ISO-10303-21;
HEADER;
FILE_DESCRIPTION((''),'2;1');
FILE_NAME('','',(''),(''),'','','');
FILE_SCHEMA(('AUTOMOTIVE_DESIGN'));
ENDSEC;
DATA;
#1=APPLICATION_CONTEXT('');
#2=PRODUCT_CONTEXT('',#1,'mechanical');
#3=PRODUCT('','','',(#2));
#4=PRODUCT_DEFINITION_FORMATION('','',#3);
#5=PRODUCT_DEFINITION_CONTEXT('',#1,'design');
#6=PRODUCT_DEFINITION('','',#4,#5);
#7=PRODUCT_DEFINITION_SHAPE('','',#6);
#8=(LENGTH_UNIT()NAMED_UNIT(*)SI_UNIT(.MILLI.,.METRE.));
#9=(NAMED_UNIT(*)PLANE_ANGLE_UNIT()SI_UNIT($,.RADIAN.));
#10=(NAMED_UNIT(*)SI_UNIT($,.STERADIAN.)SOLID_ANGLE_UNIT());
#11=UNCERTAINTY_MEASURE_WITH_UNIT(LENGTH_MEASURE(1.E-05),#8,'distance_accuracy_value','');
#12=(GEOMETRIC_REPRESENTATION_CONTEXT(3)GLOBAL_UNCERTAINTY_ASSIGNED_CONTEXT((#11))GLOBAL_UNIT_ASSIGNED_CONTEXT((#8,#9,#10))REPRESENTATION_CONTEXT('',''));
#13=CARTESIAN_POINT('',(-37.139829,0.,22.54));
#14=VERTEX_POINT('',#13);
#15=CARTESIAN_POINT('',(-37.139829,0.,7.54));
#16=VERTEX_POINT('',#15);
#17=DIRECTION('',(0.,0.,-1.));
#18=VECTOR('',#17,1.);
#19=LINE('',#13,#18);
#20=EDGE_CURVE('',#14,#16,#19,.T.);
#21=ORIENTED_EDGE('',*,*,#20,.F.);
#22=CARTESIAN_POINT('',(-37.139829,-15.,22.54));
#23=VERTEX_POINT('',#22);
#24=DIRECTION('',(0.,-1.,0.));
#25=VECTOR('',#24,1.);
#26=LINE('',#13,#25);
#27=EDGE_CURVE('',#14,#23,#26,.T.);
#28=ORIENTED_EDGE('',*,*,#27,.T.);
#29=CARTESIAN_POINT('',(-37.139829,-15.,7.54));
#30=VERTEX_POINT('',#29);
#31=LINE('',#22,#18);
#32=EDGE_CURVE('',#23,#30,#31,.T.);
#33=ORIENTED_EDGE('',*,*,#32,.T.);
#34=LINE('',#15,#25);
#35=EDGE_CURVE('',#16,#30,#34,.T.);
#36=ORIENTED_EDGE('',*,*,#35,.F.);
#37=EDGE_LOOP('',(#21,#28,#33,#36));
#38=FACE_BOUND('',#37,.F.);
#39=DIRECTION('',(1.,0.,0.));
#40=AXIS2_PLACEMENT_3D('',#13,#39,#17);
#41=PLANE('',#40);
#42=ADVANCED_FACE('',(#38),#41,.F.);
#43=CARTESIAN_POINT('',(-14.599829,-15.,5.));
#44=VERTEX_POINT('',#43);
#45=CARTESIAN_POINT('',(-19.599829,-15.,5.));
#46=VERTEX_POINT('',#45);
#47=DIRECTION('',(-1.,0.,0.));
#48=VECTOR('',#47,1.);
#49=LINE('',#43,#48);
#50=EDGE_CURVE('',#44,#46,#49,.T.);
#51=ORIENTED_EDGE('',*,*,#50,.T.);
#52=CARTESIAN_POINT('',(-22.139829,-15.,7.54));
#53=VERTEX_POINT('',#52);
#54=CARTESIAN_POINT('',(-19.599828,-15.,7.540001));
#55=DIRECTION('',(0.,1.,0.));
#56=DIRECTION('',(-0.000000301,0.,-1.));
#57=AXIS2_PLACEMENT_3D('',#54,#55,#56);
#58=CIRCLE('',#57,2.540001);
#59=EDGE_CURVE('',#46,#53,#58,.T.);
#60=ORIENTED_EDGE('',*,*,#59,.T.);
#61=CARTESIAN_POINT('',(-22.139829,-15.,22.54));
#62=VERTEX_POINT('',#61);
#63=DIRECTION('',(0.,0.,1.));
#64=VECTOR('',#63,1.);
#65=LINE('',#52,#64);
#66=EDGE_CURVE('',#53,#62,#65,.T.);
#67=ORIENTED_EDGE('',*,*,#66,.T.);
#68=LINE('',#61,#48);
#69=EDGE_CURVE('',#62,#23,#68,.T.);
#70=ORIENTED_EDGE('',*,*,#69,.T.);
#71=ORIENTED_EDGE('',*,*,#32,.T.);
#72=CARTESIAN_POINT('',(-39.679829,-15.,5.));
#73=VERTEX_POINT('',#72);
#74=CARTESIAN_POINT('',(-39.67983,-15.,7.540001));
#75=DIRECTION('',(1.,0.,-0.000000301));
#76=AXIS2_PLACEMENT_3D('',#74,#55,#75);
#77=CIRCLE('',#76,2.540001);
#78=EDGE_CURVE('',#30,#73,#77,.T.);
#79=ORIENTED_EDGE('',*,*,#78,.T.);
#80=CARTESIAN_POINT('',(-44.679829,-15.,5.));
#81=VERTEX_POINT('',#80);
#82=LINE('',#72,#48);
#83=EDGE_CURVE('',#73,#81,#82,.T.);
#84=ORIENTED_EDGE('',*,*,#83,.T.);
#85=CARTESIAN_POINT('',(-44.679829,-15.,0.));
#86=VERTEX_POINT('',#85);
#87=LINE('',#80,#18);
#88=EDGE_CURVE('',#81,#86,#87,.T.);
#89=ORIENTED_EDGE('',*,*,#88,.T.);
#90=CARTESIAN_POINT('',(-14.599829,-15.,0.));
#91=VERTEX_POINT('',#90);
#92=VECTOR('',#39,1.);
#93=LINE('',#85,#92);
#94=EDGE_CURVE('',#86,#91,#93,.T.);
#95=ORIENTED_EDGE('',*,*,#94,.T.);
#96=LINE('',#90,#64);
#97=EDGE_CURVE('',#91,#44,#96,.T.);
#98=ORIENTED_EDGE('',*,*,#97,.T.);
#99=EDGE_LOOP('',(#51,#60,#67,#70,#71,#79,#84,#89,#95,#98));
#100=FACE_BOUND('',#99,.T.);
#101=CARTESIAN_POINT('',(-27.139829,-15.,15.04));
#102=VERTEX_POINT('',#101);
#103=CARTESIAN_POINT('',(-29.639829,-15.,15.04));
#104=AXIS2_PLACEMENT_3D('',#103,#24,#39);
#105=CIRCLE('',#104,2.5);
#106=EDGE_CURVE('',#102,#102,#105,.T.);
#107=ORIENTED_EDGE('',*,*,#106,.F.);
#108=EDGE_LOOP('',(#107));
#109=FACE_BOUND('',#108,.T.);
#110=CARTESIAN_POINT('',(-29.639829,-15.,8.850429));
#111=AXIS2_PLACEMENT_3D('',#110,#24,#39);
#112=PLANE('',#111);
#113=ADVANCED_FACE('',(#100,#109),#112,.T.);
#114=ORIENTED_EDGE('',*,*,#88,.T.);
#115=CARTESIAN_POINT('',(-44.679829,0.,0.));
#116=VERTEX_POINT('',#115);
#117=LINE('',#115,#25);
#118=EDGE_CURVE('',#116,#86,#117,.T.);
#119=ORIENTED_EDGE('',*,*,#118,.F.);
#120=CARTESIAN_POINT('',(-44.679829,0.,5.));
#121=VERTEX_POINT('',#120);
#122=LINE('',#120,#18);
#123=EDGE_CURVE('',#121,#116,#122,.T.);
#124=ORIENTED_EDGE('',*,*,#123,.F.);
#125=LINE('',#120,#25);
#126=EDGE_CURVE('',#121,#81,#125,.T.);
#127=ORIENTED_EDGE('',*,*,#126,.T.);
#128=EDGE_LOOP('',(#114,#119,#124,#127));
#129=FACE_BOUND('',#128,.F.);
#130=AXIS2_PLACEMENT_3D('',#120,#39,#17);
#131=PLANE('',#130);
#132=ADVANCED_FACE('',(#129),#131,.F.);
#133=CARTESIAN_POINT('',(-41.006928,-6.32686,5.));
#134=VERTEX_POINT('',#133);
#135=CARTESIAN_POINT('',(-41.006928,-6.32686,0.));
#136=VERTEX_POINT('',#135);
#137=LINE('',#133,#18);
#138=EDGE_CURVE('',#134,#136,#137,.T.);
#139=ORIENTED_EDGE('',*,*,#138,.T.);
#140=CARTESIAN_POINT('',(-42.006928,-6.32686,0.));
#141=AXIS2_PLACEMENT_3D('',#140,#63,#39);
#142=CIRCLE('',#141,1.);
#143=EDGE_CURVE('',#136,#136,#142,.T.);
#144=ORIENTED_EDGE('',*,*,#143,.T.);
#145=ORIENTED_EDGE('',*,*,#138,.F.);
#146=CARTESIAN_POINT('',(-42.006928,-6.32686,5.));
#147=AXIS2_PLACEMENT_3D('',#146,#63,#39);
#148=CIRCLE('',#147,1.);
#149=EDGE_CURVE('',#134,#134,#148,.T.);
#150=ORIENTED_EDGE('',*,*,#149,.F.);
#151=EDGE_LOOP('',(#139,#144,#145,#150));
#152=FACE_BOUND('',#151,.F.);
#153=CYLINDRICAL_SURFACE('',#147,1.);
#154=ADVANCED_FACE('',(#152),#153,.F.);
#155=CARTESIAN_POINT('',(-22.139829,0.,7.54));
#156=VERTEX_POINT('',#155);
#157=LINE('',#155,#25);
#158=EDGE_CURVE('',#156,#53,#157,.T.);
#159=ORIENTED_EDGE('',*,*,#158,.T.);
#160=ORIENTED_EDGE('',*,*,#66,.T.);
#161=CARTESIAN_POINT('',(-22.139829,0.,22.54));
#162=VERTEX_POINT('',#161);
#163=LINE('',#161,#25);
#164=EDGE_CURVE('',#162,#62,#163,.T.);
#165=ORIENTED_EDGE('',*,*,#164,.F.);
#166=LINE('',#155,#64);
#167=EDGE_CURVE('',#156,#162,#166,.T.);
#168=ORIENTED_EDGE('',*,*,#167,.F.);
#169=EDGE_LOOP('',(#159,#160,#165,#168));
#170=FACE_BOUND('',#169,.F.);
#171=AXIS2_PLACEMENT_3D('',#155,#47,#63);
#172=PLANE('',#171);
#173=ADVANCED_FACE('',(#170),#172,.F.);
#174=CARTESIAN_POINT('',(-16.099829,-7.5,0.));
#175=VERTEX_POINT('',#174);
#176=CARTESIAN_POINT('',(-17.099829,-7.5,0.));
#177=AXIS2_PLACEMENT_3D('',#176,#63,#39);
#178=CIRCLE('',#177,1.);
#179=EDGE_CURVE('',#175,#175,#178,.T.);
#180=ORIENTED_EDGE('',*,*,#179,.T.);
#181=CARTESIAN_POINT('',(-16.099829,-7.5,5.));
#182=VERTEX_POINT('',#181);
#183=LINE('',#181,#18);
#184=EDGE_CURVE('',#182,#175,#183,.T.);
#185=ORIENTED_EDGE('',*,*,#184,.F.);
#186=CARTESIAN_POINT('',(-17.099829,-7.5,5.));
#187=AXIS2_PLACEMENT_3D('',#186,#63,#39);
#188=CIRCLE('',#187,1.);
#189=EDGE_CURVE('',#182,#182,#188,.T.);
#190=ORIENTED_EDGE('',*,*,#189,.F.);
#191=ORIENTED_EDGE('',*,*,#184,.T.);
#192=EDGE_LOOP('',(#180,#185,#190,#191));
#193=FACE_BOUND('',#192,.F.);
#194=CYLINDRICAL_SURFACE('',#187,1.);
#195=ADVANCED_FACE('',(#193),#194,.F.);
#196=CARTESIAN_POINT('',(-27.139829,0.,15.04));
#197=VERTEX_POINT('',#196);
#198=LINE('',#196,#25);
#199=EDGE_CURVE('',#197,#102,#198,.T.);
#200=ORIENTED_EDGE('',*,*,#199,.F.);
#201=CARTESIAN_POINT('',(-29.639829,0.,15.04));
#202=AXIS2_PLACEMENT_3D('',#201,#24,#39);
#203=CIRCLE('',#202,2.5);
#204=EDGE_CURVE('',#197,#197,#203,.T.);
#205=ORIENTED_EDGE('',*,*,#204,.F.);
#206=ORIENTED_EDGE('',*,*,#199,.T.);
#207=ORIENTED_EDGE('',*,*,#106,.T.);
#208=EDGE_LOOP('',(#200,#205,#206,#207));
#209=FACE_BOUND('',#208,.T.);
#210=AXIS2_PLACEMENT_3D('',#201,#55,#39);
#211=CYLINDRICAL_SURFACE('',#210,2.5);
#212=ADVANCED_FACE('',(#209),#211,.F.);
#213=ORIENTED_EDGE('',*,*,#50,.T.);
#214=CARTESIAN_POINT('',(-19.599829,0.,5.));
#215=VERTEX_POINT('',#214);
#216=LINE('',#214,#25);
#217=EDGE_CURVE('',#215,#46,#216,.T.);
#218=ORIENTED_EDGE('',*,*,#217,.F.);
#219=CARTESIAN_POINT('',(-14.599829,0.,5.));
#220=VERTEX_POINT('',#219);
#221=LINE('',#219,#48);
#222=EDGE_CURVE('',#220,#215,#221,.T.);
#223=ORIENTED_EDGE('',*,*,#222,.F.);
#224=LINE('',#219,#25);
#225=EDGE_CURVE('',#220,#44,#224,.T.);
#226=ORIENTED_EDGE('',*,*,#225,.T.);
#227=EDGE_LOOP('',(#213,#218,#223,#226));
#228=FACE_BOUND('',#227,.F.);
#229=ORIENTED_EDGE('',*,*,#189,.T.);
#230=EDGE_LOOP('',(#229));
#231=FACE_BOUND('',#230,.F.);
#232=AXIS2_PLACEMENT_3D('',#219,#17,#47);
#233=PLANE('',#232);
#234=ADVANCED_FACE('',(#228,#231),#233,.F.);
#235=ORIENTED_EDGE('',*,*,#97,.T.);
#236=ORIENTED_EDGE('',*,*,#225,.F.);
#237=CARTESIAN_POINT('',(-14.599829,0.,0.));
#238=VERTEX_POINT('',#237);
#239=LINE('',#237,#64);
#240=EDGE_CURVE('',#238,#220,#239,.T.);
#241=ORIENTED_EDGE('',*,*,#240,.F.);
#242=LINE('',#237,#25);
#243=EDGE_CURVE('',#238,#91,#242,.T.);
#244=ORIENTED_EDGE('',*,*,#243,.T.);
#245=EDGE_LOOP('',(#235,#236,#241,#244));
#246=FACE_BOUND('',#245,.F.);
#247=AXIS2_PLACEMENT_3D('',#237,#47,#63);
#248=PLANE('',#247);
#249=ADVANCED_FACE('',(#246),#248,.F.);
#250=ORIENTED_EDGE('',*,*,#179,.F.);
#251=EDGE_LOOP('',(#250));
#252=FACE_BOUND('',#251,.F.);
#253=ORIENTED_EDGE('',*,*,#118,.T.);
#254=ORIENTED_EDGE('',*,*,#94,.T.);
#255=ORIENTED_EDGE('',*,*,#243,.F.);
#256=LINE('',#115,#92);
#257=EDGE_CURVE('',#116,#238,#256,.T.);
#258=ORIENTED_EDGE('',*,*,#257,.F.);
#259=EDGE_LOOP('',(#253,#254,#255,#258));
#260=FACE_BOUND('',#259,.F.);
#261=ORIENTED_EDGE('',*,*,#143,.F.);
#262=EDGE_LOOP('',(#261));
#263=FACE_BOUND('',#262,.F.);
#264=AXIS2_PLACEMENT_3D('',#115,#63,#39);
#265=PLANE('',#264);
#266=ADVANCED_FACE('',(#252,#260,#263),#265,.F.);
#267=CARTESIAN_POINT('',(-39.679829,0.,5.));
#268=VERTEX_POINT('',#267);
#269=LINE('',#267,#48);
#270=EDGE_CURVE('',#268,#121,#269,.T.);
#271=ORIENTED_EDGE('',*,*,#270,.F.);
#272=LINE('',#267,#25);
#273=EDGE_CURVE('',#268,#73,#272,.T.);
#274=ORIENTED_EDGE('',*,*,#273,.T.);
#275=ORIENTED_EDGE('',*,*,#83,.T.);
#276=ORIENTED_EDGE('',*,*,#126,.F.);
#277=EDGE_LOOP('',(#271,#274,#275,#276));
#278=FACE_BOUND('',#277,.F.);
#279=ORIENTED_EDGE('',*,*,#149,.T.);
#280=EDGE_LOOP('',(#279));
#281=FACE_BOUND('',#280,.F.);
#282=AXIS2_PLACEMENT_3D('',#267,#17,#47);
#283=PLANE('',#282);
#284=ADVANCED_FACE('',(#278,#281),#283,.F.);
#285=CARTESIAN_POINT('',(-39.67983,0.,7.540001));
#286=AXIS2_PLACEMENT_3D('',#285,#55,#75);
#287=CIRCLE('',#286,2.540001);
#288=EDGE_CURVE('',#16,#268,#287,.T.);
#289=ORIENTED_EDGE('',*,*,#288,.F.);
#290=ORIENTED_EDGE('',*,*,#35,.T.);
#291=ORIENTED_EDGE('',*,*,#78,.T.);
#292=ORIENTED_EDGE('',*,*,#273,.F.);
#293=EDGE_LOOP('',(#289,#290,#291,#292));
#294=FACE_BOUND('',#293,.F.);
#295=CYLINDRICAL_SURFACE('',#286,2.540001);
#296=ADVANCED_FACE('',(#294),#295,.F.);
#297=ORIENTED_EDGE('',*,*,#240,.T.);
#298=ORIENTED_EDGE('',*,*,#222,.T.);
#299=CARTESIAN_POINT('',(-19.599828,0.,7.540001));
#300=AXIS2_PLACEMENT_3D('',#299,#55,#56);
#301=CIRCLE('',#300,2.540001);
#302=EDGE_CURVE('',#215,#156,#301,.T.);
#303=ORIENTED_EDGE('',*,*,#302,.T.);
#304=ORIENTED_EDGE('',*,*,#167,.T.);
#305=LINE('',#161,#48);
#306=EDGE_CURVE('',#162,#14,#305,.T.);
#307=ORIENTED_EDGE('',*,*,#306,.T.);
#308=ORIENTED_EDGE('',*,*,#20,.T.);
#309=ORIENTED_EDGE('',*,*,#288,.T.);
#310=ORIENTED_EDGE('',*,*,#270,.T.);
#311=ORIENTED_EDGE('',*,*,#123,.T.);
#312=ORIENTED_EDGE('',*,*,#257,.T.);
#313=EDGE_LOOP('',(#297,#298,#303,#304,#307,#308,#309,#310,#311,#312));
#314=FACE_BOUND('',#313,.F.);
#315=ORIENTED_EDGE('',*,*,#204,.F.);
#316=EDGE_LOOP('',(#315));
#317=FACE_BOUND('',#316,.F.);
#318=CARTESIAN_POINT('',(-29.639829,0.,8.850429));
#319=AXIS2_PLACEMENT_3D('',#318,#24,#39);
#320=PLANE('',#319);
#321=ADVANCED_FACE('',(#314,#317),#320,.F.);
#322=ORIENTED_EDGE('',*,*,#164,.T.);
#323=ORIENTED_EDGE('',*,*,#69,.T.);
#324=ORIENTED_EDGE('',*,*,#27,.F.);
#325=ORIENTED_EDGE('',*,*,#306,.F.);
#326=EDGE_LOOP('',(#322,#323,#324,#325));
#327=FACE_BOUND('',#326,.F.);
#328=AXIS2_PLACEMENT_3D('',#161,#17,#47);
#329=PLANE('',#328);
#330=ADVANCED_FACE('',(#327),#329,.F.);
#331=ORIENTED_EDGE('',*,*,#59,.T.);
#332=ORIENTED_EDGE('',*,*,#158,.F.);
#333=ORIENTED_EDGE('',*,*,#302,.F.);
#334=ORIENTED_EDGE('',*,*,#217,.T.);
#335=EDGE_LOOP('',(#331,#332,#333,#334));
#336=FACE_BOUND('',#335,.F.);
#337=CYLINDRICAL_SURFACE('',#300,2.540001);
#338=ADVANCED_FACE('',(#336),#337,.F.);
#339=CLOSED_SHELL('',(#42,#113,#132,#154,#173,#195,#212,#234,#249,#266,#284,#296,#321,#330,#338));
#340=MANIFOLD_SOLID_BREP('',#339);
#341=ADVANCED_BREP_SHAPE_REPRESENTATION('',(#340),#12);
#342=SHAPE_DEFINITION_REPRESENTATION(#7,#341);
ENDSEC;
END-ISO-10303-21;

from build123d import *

# Parameters (mm, degrees)
F0_R     = 2.5
F1_DEPTH = 15
F2_R     = 1
F3_DEPTH = 5


with BuildPart() as f1:
    # F0 (on Front) → F1 (new body)
    with BuildSketch(Plane.XZ):
        with BuildLine():
            Line((-44.679829, 5), (-44.679829, 0))
            Line((-44.679829, 0), (-14.599829, 0))
            Line((-14.599829, 0), (-14.599829, 5))
            Line((-14.599829, 5), (-19.599829, 5))
            ThreePointArc((-19.599829, 5), (-21.39588, 5.743949), (-22.139829, 7.54))
            Line((-22.139829, 7.54), (-22.139829, 22.54))
            Line((-22.139829, 22.54), (-37.139829, 22.54))
            Line((-37.139829, 22.54), (-37.139829, 7.54))
            ThreePointArc((-37.139829, 7.54), (-37.883778, 5.743949), (-39.679829, 5))
            Line((-39.679829, 5), (-44.679829, 5))
        make_face()
        with Locations((-29.639829, 15.04)):
            Circle(F0_R, mode=Mode.SUBTRACT)
    extrude(amount=F1_DEPTH)

    # F2 (on face) → F3 (cut)
    with BuildSketch(Plane.XY.offset(5)):
        with Locations((-17.099829, -7.5)):
            Circle(F2_R)
        with Locations((-42.006928, -6.32686)):
            Circle(F2_R)
    extrude(amount=-F3_DEPTH, mode=Mode.SUBTRACT)


solid = f1.part
